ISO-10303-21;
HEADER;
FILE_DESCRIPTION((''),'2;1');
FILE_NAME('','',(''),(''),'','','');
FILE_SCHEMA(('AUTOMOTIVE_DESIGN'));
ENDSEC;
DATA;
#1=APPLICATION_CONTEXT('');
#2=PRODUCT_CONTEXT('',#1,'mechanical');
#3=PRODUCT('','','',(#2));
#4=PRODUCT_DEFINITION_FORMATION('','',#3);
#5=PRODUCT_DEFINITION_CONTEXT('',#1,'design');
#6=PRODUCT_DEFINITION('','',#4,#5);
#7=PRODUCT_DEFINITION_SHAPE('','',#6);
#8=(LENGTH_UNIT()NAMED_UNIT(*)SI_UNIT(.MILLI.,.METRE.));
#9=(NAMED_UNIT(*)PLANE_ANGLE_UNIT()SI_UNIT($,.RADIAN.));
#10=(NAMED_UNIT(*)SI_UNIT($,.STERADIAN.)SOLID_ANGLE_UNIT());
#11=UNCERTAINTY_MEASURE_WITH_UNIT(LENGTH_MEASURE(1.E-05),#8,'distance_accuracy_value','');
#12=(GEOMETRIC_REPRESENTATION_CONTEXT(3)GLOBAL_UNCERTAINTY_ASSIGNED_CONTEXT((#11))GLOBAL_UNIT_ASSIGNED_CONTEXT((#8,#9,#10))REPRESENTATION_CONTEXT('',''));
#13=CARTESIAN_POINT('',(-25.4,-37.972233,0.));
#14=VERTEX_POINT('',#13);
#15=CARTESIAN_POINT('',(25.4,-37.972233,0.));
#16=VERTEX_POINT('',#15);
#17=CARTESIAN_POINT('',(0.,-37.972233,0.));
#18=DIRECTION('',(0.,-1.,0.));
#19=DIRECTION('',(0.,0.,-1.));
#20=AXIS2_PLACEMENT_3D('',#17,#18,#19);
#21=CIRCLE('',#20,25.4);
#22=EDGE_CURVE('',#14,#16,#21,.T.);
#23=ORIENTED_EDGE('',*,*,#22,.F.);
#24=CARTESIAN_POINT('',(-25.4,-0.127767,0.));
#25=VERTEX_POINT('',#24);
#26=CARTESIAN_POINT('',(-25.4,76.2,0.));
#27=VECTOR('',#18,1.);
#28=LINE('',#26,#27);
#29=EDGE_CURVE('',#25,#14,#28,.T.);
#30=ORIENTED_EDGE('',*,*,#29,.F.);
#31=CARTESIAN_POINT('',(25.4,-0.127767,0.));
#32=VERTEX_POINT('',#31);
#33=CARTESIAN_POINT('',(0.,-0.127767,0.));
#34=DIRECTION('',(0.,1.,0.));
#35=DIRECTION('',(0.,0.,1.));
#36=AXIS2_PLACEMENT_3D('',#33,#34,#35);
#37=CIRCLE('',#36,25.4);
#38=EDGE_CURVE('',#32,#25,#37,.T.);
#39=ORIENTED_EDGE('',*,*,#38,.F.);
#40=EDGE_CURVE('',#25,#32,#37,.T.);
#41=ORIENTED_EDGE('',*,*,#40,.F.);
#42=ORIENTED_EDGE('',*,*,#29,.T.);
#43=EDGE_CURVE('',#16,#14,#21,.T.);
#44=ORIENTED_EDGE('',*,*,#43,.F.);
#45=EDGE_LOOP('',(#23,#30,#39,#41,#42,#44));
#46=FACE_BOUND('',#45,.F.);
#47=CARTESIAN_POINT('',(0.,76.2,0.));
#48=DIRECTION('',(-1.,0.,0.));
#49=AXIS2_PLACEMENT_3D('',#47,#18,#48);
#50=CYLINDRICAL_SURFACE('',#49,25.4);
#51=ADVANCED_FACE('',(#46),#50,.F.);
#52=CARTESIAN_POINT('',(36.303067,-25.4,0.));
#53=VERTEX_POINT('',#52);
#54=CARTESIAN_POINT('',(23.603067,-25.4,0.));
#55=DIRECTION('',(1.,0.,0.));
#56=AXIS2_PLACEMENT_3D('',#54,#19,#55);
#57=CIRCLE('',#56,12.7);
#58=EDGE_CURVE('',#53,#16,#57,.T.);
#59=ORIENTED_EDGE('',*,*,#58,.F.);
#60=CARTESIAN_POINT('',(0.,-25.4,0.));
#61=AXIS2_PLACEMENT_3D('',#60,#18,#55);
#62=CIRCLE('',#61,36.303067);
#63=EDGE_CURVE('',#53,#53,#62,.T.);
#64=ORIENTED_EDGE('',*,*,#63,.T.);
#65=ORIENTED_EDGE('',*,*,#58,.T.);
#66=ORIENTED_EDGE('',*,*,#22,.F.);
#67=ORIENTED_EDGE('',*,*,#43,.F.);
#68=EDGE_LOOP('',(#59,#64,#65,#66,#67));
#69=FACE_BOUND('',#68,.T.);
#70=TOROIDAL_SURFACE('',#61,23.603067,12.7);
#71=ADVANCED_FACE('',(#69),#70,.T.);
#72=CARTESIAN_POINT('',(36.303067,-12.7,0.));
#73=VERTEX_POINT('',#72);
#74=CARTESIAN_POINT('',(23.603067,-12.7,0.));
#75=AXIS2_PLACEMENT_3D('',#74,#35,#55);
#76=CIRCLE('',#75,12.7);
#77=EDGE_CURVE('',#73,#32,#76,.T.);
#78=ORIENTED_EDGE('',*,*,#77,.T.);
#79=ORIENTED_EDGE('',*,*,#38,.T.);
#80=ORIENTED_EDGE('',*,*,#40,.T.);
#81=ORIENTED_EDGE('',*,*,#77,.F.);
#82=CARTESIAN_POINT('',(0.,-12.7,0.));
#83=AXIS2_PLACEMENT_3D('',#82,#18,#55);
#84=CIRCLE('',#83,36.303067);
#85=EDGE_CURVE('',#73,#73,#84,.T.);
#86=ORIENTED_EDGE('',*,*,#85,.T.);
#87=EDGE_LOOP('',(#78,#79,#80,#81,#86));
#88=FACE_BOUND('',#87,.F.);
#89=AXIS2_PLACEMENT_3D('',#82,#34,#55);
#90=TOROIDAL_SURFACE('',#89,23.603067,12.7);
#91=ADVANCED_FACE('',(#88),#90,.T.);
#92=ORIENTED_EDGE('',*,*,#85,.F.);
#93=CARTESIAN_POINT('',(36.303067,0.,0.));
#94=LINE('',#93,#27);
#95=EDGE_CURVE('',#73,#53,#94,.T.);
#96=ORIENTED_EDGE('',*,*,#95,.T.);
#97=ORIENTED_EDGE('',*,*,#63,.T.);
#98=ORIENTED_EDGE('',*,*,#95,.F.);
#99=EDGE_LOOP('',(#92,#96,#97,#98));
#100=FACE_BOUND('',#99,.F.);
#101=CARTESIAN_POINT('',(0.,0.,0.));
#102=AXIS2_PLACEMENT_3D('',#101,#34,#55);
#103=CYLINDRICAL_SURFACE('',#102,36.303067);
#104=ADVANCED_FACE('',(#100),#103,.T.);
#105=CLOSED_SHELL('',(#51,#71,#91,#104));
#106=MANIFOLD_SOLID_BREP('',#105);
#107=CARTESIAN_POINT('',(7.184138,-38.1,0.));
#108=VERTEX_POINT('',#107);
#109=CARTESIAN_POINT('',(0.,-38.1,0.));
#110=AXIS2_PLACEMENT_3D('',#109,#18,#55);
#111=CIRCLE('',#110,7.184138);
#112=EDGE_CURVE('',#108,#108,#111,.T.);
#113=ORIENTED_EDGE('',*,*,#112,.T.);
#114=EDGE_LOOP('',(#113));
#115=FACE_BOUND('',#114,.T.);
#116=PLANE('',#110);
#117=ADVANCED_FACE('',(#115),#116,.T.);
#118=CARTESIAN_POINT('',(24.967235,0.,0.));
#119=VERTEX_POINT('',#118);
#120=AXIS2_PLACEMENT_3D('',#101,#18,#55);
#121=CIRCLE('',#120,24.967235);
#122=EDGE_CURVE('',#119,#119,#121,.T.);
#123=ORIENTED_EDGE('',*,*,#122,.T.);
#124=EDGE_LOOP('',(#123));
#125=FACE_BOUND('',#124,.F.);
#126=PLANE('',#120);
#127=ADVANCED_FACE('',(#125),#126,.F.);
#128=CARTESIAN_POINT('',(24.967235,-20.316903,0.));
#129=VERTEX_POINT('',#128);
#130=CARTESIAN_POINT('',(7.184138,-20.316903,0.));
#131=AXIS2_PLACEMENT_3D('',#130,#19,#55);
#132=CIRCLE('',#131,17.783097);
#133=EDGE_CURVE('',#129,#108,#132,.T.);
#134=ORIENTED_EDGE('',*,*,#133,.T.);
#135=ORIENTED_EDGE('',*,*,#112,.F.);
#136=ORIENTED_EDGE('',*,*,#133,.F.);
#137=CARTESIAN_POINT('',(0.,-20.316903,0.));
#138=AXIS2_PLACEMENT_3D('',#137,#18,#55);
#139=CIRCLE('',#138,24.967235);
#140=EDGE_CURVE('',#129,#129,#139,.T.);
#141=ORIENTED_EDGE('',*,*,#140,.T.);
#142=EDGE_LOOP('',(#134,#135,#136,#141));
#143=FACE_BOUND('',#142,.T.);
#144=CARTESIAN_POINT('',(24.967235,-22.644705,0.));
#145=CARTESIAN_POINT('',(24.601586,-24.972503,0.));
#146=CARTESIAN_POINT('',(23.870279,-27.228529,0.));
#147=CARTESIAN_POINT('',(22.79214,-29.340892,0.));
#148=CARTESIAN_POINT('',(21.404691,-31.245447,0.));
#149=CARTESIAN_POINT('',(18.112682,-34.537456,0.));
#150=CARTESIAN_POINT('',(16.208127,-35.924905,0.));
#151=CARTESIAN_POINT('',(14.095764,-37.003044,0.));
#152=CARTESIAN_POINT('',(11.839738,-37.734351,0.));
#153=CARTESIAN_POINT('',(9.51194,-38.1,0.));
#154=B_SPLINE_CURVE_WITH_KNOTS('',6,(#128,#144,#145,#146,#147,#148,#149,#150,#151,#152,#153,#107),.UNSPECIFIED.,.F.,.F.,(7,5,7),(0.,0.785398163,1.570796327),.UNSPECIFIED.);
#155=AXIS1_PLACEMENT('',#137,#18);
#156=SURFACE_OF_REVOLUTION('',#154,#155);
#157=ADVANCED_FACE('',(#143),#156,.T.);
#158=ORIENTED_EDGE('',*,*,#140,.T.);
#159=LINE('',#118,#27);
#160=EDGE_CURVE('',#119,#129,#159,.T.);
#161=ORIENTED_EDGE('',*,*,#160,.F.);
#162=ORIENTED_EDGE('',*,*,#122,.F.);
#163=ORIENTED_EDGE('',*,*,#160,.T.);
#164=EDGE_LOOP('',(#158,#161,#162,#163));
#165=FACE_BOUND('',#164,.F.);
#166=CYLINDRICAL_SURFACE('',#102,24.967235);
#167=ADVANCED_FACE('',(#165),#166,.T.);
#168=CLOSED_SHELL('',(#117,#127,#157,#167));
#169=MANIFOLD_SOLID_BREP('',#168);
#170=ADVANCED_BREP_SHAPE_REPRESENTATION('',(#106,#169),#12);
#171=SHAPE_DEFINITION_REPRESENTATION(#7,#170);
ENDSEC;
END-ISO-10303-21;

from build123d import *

# Parameters (mm, degrees)
F0_R     = 36.303067
F1_DEPTH = 38.1
F2_R     = 12.7
F3_D     = 50.8
F3_DEPTH = 76.2
F4_R     = 24.967235
F5_DEPTH = 38.1
F6_R     = 17.783097


with BuildPart() as f1:
    # F0 (on Front) → F1 (new body)
    with BuildSketch(Plane.XZ):
        Circle(F0_R)
    extrude(amount=F1_DEPTH)

    # F2
    f2_edges = [f1.edges().sort_by_distance(p)[0] for p in [
        (-36.303067, -38.1, 0),
        (-36.303067, 0, 0),
    ]]
    fillet(f2_edges, radius=F2_R)

    # F3
    with Locations(Plane(origin=(0, 0, 0), x_dir=(1, 0, 0), z_dir=(0, 1, 0))):
        with Locations((0, 0)):
            Hole(F3_D / 2, depth=F3_DEPTH)


with BuildPart() as f5:
    # F4 (on face) → F5 (new body)
    with BuildSketch(Plane.XZ):
        Circle(F4_R)
    extrude(amount=F5_DEPTH)

    # F6
    f6_edges = [f5.edges().sort_by_distance(p)[0] for p in [
        (-24.967235, -38.1, 0),
    ]]
    fillet(f6_edges, radius=F6_R)


solid = Compound([f1.part, f5.part])
